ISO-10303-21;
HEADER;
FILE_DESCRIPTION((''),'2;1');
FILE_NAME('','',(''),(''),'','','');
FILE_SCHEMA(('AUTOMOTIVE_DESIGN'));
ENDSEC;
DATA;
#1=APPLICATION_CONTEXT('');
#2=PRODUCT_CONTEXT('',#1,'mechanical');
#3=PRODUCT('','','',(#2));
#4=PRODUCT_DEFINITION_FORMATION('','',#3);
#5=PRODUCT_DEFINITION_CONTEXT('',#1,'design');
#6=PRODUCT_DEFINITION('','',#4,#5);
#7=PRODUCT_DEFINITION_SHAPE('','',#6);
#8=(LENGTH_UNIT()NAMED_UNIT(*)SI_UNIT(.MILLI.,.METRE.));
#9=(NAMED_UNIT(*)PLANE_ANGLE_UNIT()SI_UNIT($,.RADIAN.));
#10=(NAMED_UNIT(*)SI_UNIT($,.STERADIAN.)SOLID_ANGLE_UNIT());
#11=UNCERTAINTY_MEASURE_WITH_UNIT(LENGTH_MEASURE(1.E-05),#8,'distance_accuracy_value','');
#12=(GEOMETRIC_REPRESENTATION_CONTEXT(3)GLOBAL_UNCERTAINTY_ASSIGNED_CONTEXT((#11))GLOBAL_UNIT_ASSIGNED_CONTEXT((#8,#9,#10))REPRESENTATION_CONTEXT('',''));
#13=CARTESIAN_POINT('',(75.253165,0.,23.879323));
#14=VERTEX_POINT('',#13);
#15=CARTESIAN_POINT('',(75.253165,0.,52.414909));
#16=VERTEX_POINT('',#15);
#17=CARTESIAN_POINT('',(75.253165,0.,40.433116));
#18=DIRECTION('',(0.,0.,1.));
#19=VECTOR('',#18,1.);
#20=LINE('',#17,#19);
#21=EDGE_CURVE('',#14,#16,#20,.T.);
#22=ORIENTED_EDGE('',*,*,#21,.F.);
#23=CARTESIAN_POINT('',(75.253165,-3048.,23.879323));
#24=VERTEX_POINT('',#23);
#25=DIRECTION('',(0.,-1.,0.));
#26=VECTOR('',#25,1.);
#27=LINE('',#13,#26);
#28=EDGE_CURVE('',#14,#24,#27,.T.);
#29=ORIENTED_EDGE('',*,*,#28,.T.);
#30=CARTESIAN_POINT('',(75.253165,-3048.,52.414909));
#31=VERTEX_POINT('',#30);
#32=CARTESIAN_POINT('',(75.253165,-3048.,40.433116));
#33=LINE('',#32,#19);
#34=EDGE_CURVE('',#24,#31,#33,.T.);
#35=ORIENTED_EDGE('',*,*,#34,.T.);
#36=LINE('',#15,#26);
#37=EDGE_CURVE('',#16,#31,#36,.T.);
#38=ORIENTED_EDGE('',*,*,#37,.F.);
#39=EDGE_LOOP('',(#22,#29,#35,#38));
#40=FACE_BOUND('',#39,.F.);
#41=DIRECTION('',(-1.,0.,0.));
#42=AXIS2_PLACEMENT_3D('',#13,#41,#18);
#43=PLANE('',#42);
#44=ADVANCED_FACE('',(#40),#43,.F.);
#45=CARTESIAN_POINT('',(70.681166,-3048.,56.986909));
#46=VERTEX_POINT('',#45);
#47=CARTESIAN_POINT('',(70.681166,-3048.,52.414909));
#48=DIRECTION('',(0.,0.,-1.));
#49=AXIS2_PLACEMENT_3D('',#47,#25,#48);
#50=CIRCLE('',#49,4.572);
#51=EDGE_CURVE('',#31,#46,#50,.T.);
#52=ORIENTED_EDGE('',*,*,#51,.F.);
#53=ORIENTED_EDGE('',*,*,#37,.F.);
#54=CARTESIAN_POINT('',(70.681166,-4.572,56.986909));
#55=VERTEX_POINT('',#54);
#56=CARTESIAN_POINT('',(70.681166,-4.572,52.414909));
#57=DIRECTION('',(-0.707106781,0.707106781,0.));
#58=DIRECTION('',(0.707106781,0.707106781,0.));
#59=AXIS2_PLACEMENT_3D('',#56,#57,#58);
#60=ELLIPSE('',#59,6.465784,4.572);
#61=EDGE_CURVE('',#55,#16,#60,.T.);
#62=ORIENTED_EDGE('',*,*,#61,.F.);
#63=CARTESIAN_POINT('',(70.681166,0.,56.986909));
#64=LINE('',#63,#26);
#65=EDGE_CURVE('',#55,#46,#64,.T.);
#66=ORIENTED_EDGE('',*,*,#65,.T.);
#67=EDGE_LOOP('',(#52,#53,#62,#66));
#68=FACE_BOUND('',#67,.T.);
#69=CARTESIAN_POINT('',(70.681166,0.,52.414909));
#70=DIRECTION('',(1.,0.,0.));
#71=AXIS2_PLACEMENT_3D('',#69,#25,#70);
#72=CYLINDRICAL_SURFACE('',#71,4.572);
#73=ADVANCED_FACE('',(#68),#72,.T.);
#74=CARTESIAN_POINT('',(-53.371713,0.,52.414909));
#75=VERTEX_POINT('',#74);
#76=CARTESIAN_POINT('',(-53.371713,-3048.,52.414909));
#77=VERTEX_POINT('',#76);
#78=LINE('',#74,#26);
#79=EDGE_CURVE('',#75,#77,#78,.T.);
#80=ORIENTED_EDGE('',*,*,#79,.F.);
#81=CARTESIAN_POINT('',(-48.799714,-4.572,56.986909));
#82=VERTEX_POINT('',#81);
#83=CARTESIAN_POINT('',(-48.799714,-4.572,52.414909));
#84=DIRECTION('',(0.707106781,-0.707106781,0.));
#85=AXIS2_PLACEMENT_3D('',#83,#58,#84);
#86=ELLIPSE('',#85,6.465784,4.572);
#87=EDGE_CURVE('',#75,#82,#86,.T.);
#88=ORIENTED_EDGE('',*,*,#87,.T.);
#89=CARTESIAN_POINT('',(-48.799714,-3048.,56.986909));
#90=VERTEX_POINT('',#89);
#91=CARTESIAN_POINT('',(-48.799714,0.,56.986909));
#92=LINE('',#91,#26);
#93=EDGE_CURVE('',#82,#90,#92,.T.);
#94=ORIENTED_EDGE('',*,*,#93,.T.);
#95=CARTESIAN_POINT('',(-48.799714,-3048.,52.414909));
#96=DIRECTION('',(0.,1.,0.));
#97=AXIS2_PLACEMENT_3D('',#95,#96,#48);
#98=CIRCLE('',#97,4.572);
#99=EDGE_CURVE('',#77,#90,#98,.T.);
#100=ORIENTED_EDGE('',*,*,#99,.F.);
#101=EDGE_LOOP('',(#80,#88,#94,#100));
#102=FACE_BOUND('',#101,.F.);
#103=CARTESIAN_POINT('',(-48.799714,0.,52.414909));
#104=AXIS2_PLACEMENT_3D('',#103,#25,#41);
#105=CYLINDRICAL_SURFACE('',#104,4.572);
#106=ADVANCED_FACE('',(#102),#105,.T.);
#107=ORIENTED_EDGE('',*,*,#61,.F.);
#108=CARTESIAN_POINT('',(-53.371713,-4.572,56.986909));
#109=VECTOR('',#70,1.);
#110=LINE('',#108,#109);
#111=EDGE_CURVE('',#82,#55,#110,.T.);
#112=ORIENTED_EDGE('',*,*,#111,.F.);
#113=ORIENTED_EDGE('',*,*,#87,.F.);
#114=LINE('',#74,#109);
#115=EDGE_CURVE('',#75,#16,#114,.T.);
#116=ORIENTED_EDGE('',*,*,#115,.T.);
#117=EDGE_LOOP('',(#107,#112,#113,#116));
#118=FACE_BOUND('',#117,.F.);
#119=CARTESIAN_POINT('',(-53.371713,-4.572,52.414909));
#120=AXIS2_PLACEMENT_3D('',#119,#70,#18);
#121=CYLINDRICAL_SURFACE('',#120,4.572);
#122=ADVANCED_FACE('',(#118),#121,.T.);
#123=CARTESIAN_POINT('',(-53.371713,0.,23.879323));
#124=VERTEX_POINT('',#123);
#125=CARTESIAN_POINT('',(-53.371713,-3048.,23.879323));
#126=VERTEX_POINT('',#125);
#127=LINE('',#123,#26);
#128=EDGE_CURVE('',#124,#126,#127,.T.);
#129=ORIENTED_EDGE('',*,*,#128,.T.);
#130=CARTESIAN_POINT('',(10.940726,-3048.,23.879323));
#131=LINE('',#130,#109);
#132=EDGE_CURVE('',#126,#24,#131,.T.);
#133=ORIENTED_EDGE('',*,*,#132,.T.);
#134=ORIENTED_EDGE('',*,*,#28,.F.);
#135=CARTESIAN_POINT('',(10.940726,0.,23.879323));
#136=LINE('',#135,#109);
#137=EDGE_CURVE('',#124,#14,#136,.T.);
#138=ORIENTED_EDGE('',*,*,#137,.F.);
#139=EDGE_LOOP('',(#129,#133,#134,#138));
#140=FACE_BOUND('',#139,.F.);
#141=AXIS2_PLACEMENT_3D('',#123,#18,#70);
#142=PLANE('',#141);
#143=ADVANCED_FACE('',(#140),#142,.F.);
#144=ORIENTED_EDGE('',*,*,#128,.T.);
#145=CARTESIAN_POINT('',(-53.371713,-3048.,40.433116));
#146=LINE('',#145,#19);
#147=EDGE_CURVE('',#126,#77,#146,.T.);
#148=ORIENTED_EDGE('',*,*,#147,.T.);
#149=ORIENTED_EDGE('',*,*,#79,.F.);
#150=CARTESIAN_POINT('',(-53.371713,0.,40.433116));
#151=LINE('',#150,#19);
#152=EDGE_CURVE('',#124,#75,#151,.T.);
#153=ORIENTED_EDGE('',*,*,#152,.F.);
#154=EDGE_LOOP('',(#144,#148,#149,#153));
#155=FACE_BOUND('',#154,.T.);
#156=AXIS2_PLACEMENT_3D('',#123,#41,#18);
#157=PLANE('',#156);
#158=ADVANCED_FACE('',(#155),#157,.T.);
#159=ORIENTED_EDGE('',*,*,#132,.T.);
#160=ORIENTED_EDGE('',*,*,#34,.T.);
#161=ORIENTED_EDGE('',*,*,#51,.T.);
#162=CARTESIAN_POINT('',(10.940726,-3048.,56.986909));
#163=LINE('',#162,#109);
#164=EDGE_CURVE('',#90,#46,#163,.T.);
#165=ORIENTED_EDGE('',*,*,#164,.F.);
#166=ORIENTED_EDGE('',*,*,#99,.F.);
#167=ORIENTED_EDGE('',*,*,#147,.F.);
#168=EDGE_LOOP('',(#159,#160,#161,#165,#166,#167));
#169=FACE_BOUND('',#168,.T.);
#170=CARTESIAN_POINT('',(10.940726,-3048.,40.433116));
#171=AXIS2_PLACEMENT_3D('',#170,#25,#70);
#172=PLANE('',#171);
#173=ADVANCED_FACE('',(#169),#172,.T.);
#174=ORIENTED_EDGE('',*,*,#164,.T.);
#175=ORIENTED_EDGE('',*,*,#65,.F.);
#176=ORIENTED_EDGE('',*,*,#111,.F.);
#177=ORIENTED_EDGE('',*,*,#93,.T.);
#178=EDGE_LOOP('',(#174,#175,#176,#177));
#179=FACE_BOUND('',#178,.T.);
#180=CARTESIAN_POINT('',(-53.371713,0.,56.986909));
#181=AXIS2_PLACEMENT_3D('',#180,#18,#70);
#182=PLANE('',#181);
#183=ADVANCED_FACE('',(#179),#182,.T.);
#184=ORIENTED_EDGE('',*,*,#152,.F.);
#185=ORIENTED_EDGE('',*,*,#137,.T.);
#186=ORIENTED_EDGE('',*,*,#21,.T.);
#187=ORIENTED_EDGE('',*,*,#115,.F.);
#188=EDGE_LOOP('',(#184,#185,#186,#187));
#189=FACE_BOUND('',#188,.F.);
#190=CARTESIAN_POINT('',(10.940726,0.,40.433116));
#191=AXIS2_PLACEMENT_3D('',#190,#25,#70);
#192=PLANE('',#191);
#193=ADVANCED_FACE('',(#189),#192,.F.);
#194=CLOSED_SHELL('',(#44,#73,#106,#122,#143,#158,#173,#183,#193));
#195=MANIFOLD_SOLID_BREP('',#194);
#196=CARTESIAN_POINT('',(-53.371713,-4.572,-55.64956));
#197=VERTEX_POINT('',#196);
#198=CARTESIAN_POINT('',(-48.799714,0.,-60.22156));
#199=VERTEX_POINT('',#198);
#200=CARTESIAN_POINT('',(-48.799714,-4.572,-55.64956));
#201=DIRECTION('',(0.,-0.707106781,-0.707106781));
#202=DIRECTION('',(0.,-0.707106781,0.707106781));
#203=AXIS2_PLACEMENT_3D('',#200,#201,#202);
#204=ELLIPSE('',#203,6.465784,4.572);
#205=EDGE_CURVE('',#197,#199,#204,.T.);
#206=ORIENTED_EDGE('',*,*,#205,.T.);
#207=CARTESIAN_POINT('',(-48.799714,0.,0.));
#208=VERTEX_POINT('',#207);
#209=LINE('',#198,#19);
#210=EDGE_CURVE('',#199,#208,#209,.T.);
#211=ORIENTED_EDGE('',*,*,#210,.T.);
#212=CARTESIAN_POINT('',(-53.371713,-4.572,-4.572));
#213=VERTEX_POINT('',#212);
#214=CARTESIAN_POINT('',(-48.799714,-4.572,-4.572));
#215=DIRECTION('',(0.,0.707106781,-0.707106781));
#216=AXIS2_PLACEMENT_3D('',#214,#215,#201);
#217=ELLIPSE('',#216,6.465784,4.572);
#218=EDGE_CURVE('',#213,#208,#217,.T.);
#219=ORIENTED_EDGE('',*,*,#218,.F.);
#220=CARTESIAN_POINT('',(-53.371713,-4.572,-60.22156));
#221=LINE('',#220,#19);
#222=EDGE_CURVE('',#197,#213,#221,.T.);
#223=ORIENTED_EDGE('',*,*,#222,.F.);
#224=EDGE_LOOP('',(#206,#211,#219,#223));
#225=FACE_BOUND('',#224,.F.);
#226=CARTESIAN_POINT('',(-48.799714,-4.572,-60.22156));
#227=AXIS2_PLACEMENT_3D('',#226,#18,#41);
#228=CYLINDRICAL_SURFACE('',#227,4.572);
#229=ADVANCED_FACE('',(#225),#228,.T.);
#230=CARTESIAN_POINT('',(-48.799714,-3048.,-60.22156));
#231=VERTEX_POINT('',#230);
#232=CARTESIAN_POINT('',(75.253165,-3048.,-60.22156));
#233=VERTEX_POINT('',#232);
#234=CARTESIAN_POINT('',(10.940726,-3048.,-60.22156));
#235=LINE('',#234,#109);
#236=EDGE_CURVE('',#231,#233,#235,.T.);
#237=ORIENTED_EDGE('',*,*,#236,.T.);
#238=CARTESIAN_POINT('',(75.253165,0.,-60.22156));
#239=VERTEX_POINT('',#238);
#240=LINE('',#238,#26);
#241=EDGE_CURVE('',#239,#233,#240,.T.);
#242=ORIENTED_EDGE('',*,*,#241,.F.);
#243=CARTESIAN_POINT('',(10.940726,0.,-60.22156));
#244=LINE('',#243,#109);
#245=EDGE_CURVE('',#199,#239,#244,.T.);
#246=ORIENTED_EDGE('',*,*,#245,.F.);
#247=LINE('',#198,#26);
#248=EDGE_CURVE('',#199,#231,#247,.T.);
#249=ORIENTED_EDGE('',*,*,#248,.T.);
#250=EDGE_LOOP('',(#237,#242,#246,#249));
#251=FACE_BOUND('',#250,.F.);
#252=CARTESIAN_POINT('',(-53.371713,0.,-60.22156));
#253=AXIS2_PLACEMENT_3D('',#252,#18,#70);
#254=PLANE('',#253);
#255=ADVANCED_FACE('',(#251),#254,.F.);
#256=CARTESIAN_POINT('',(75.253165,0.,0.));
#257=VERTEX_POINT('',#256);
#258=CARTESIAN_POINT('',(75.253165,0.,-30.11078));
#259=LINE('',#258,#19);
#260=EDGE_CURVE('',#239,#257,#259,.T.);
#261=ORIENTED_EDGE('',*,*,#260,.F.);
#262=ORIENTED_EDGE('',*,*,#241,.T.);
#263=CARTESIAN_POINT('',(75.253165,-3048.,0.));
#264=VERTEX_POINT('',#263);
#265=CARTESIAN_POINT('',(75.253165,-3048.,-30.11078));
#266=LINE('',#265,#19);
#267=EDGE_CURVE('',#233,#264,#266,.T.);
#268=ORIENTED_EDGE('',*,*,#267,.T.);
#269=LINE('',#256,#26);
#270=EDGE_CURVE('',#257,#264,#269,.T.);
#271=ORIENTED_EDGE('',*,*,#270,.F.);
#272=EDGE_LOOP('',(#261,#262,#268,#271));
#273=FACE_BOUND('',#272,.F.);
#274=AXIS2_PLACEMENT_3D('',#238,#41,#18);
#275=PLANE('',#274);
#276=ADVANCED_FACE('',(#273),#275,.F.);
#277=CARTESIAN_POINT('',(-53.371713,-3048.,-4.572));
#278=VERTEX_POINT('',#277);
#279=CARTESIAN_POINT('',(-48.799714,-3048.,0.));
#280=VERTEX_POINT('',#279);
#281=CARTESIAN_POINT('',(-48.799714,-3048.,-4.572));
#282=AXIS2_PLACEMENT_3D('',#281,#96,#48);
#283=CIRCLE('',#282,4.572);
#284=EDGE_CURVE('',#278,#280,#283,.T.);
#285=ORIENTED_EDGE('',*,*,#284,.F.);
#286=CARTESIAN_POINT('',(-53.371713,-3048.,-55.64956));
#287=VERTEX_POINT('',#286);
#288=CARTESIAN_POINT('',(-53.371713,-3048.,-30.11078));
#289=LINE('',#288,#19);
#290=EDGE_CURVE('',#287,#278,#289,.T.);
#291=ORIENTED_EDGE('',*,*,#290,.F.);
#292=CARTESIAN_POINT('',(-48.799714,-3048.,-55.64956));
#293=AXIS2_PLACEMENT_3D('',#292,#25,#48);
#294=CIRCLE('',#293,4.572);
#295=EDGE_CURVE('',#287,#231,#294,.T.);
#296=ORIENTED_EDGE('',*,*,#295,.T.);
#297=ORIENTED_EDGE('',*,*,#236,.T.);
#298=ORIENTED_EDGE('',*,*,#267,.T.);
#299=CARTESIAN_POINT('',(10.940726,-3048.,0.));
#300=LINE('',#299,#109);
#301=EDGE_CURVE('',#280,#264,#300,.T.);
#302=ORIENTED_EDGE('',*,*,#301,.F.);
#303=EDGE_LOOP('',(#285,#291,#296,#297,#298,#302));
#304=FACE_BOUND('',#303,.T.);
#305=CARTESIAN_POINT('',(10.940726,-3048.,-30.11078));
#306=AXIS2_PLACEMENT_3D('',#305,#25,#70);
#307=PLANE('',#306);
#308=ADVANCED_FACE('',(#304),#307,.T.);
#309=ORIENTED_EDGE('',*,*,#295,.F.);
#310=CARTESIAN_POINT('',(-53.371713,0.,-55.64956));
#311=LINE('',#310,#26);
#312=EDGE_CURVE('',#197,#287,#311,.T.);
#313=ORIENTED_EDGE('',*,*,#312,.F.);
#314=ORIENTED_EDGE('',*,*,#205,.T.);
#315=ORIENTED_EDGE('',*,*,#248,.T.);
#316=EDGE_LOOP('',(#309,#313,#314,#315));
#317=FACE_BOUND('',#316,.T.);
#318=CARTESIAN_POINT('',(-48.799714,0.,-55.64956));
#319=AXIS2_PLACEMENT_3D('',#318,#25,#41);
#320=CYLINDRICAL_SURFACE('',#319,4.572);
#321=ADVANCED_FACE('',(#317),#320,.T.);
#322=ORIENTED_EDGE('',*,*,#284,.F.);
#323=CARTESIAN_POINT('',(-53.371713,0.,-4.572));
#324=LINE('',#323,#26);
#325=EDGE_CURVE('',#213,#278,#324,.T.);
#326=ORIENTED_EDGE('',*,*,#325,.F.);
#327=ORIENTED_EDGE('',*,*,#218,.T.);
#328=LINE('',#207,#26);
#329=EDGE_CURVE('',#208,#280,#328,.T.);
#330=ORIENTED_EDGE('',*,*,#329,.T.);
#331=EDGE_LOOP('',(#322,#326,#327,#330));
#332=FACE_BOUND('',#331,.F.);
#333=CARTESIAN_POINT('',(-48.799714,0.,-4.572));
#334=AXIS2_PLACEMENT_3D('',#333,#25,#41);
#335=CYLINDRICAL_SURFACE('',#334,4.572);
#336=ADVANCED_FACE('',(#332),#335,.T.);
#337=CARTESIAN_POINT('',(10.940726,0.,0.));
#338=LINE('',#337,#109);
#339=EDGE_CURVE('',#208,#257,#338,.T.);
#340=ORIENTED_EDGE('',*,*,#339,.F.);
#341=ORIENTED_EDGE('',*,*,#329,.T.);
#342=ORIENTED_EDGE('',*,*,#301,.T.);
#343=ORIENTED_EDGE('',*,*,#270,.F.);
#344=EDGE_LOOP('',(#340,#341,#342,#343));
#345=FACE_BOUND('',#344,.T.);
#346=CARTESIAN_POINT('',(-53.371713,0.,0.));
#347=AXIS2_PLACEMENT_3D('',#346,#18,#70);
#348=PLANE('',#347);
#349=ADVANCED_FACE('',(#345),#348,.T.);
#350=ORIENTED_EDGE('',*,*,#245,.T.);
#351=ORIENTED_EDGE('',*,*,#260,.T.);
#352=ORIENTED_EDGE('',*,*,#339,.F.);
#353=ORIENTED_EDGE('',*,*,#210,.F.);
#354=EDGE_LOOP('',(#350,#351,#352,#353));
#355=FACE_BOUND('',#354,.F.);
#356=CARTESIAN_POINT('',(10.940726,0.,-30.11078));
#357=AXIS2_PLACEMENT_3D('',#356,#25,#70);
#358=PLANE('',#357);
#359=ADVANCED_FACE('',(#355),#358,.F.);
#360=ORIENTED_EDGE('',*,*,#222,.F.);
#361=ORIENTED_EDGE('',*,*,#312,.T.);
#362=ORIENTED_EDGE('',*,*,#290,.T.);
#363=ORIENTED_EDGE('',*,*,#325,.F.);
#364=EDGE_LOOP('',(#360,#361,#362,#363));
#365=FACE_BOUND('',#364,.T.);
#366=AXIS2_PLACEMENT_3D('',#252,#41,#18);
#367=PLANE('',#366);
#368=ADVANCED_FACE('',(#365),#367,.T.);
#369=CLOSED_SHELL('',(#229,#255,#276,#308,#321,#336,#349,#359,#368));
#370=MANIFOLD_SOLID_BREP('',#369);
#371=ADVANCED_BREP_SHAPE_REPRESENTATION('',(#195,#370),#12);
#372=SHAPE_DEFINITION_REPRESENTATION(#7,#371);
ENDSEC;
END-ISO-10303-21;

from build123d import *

# Parameters (mm, degrees)
F0_W     = 128.624879
F0_H     = 33.107586
F0_H_2   = 60.22156
F1_DEPTH = 3048
F2_R     = 4.572


with BuildPart() as f1:
    # F0 (on Front) → F1 (new body)
    with BuildSketch(Plane.XZ):
        with Locations((10.940726, 40.433116)):
            Rectangle(F0_W, F0_H)
        with Locations((10.940726, -30.11078)):
            Rectangle(F0_W, F0_H_2)
    extrude(amount=F1_DEPTH)

    # F2
    f2_edges = [f1.edges().sort_by_distance(p)[0] for p in [
        (-53.371713, -1524, 56.986909),
        (-53.371713, -1524, 0),
        (-53.371713, -1524, -60.22156),
        (-53.371713, 0, -30.11078),
        (10.940727, 0, 56.986909),
        (75.253166, -1524, 56.986909),
    ]]
    fillet(f2_edges, radius=F2_R)


solid = f1.part
